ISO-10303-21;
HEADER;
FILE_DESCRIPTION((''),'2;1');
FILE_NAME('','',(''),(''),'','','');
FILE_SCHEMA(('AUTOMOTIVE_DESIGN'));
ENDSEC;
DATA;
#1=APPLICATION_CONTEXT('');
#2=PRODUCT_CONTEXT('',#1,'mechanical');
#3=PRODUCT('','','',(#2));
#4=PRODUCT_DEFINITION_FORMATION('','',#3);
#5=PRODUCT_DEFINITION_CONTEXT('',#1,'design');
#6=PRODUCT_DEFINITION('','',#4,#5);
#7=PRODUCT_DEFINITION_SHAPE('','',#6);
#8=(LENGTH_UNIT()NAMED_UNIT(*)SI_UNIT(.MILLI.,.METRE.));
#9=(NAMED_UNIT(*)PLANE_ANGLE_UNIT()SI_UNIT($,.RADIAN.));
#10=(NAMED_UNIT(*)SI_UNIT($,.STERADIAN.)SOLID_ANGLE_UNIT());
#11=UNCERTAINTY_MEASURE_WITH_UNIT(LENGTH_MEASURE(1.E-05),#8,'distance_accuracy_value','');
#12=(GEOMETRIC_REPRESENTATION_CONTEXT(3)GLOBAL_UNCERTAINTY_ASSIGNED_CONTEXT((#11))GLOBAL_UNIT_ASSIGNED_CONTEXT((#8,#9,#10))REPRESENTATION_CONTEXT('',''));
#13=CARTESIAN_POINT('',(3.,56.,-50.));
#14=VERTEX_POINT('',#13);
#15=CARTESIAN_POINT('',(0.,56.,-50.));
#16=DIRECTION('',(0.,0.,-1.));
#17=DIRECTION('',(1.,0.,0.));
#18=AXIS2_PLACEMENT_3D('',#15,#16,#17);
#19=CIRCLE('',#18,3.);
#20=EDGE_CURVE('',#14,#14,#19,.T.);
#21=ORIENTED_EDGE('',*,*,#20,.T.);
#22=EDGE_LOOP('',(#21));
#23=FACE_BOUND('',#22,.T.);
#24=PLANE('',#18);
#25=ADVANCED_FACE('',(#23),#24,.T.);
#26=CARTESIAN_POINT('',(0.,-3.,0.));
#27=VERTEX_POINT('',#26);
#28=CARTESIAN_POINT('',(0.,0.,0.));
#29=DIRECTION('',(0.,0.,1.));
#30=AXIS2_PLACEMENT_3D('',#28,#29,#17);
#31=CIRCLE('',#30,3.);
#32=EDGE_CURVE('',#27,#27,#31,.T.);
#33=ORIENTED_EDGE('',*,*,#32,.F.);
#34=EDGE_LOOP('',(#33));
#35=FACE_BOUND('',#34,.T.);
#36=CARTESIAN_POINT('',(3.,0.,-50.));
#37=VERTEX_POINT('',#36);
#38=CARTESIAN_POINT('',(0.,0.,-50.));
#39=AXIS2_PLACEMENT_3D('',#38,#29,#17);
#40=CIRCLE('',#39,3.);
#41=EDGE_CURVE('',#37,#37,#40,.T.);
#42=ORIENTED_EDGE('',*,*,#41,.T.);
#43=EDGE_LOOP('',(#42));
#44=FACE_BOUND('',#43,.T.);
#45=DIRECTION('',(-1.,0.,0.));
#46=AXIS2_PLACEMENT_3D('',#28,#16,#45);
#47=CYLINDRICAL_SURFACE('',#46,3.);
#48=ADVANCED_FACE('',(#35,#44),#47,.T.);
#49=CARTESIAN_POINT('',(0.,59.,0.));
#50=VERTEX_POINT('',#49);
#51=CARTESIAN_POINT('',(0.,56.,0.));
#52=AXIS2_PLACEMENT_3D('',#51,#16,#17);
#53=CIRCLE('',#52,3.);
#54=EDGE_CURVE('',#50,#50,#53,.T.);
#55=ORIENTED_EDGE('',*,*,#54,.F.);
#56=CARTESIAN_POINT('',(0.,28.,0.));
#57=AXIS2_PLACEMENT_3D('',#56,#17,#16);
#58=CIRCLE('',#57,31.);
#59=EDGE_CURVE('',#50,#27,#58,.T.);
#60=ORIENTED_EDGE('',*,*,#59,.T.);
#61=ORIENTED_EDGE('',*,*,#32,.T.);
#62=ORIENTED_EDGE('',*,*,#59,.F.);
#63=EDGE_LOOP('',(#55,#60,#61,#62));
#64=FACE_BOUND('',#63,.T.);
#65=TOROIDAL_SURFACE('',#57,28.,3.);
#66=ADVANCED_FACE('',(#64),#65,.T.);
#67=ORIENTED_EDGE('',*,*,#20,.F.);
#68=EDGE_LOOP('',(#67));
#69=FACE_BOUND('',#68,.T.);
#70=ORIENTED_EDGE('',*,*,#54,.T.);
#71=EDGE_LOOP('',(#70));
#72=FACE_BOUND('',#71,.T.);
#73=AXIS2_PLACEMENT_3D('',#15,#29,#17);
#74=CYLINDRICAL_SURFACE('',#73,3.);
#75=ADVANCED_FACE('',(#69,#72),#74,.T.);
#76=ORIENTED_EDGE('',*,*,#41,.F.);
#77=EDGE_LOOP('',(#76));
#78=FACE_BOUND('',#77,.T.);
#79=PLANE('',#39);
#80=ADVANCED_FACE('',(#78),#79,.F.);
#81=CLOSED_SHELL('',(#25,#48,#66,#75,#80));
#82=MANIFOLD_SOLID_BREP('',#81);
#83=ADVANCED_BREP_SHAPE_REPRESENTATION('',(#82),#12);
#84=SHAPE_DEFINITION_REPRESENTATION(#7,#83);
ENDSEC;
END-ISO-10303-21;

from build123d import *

# Parameters (mm, degrees)
SWEEP_1_PROFILE_R = 3


with BuildPart() as part:
    # По траектории1: sweep along a path in Эскиз1
    with BuildLine(Plane(origin=(0, 0, 0), x_dir=(0, 0, -1), z_dir=(1, 0, 0))) as sweep_1_path:
        Line((50, 56), (0, 56))
        ThreePointArc((0, 56), (-28, 28), (0, 0))
        Line((0, 0), (50, 0))
    # По траектории1 profile (on start of the path) → По траектории1 (sweep)
    with BuildSketch(Plane(origin=(0, 56, -50), x_dir=(1, 0, 0), z_dir=(0, 0, 1))):
        Circle(SWEEP_1_PROFILE_R)
    sweep(path=sweep_1_path.line)


solid = part.part
